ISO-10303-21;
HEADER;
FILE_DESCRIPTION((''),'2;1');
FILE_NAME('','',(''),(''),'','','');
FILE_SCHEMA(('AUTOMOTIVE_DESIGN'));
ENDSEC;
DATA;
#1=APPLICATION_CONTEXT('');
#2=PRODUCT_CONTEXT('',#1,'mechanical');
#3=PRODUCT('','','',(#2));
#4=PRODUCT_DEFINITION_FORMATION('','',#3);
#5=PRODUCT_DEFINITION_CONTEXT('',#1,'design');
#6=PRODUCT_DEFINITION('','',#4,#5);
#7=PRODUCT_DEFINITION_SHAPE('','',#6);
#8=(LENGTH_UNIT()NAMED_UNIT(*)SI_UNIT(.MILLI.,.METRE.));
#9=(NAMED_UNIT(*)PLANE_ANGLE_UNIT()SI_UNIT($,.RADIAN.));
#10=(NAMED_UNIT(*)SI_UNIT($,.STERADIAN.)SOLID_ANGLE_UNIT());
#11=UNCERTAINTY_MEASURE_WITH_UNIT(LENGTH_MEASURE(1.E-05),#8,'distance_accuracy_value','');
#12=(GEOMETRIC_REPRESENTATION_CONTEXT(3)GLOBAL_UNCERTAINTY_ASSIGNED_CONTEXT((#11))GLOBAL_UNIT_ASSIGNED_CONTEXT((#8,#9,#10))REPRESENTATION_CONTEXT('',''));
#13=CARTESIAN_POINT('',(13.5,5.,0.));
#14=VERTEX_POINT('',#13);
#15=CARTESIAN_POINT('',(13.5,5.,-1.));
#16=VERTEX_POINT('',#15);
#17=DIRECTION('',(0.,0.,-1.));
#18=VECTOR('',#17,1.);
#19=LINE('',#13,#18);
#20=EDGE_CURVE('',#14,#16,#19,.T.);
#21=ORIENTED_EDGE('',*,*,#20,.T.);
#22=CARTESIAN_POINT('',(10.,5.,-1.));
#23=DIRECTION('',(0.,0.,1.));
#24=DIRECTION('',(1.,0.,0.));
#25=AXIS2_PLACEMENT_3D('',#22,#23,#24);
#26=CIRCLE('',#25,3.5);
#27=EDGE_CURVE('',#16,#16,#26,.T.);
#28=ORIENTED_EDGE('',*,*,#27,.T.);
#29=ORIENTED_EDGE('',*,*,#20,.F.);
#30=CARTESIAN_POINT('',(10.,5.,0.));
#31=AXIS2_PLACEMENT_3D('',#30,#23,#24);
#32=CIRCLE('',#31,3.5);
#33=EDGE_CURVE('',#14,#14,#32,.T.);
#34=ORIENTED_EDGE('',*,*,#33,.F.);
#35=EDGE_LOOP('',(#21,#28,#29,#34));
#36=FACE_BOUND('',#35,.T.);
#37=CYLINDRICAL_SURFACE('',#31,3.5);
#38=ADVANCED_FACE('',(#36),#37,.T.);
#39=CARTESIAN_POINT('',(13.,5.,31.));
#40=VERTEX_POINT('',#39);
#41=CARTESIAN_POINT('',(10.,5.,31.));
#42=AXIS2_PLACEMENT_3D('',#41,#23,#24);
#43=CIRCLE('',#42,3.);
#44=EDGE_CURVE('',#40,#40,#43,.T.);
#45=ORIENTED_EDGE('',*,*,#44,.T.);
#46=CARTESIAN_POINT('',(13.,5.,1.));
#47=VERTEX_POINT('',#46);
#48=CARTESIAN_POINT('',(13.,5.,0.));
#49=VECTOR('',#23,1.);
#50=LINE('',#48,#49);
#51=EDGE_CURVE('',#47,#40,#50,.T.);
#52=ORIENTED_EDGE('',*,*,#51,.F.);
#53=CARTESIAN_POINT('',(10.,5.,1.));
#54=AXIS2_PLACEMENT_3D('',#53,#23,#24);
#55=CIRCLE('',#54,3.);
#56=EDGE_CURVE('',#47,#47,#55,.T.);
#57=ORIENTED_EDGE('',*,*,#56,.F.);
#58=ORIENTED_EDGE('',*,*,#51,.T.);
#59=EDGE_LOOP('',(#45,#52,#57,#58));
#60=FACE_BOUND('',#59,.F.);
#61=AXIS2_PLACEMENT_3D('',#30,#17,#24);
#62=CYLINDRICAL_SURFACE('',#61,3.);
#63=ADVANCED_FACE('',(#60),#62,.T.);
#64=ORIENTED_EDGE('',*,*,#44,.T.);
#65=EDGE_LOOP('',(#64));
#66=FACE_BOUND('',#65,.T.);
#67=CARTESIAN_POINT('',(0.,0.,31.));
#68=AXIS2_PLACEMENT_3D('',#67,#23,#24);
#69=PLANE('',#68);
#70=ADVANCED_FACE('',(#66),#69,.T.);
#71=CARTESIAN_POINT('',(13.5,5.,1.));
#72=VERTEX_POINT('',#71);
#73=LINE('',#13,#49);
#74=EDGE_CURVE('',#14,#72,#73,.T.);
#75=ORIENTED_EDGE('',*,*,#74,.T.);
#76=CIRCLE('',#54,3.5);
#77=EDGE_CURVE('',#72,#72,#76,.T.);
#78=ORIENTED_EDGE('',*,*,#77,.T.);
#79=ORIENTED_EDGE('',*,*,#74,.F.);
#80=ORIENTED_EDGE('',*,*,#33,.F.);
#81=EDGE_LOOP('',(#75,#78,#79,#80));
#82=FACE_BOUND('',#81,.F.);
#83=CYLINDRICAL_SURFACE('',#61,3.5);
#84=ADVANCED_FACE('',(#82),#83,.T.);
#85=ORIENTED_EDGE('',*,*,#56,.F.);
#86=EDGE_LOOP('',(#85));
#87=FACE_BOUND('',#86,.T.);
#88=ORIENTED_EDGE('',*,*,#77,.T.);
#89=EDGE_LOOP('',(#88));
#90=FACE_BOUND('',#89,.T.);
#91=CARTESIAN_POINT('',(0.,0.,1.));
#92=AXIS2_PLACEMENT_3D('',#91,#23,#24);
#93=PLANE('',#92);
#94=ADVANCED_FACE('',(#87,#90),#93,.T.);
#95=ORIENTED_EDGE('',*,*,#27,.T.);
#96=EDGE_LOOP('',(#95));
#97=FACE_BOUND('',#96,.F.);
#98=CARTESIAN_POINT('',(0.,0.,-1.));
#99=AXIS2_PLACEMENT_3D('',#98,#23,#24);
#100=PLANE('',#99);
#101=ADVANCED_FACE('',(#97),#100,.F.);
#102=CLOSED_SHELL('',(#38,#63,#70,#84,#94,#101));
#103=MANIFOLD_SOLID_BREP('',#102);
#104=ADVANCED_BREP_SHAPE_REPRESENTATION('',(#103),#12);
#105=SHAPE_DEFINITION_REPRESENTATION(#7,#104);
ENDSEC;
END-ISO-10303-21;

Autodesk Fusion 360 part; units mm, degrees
sketch "Esboço1" plane through (0, 0, 0) normal (0, 0, 1) x (1, 0, 0)
  circle A0 centre (10, 5) radius 3
  circle A1 centre (10, 5) radius 3.5
  dimension "d1" = 6
  dimension "d2" = 7
extrude "Extrusão1" add sketch "Esboço1" along normal blind 31 contours A0
extrude "Extrusão2" add sketch "Esboço1" along normal blind 1
extrude "Extrusão3" add sketch "Esboço1" against normal blind 1 contours A0 | A1
